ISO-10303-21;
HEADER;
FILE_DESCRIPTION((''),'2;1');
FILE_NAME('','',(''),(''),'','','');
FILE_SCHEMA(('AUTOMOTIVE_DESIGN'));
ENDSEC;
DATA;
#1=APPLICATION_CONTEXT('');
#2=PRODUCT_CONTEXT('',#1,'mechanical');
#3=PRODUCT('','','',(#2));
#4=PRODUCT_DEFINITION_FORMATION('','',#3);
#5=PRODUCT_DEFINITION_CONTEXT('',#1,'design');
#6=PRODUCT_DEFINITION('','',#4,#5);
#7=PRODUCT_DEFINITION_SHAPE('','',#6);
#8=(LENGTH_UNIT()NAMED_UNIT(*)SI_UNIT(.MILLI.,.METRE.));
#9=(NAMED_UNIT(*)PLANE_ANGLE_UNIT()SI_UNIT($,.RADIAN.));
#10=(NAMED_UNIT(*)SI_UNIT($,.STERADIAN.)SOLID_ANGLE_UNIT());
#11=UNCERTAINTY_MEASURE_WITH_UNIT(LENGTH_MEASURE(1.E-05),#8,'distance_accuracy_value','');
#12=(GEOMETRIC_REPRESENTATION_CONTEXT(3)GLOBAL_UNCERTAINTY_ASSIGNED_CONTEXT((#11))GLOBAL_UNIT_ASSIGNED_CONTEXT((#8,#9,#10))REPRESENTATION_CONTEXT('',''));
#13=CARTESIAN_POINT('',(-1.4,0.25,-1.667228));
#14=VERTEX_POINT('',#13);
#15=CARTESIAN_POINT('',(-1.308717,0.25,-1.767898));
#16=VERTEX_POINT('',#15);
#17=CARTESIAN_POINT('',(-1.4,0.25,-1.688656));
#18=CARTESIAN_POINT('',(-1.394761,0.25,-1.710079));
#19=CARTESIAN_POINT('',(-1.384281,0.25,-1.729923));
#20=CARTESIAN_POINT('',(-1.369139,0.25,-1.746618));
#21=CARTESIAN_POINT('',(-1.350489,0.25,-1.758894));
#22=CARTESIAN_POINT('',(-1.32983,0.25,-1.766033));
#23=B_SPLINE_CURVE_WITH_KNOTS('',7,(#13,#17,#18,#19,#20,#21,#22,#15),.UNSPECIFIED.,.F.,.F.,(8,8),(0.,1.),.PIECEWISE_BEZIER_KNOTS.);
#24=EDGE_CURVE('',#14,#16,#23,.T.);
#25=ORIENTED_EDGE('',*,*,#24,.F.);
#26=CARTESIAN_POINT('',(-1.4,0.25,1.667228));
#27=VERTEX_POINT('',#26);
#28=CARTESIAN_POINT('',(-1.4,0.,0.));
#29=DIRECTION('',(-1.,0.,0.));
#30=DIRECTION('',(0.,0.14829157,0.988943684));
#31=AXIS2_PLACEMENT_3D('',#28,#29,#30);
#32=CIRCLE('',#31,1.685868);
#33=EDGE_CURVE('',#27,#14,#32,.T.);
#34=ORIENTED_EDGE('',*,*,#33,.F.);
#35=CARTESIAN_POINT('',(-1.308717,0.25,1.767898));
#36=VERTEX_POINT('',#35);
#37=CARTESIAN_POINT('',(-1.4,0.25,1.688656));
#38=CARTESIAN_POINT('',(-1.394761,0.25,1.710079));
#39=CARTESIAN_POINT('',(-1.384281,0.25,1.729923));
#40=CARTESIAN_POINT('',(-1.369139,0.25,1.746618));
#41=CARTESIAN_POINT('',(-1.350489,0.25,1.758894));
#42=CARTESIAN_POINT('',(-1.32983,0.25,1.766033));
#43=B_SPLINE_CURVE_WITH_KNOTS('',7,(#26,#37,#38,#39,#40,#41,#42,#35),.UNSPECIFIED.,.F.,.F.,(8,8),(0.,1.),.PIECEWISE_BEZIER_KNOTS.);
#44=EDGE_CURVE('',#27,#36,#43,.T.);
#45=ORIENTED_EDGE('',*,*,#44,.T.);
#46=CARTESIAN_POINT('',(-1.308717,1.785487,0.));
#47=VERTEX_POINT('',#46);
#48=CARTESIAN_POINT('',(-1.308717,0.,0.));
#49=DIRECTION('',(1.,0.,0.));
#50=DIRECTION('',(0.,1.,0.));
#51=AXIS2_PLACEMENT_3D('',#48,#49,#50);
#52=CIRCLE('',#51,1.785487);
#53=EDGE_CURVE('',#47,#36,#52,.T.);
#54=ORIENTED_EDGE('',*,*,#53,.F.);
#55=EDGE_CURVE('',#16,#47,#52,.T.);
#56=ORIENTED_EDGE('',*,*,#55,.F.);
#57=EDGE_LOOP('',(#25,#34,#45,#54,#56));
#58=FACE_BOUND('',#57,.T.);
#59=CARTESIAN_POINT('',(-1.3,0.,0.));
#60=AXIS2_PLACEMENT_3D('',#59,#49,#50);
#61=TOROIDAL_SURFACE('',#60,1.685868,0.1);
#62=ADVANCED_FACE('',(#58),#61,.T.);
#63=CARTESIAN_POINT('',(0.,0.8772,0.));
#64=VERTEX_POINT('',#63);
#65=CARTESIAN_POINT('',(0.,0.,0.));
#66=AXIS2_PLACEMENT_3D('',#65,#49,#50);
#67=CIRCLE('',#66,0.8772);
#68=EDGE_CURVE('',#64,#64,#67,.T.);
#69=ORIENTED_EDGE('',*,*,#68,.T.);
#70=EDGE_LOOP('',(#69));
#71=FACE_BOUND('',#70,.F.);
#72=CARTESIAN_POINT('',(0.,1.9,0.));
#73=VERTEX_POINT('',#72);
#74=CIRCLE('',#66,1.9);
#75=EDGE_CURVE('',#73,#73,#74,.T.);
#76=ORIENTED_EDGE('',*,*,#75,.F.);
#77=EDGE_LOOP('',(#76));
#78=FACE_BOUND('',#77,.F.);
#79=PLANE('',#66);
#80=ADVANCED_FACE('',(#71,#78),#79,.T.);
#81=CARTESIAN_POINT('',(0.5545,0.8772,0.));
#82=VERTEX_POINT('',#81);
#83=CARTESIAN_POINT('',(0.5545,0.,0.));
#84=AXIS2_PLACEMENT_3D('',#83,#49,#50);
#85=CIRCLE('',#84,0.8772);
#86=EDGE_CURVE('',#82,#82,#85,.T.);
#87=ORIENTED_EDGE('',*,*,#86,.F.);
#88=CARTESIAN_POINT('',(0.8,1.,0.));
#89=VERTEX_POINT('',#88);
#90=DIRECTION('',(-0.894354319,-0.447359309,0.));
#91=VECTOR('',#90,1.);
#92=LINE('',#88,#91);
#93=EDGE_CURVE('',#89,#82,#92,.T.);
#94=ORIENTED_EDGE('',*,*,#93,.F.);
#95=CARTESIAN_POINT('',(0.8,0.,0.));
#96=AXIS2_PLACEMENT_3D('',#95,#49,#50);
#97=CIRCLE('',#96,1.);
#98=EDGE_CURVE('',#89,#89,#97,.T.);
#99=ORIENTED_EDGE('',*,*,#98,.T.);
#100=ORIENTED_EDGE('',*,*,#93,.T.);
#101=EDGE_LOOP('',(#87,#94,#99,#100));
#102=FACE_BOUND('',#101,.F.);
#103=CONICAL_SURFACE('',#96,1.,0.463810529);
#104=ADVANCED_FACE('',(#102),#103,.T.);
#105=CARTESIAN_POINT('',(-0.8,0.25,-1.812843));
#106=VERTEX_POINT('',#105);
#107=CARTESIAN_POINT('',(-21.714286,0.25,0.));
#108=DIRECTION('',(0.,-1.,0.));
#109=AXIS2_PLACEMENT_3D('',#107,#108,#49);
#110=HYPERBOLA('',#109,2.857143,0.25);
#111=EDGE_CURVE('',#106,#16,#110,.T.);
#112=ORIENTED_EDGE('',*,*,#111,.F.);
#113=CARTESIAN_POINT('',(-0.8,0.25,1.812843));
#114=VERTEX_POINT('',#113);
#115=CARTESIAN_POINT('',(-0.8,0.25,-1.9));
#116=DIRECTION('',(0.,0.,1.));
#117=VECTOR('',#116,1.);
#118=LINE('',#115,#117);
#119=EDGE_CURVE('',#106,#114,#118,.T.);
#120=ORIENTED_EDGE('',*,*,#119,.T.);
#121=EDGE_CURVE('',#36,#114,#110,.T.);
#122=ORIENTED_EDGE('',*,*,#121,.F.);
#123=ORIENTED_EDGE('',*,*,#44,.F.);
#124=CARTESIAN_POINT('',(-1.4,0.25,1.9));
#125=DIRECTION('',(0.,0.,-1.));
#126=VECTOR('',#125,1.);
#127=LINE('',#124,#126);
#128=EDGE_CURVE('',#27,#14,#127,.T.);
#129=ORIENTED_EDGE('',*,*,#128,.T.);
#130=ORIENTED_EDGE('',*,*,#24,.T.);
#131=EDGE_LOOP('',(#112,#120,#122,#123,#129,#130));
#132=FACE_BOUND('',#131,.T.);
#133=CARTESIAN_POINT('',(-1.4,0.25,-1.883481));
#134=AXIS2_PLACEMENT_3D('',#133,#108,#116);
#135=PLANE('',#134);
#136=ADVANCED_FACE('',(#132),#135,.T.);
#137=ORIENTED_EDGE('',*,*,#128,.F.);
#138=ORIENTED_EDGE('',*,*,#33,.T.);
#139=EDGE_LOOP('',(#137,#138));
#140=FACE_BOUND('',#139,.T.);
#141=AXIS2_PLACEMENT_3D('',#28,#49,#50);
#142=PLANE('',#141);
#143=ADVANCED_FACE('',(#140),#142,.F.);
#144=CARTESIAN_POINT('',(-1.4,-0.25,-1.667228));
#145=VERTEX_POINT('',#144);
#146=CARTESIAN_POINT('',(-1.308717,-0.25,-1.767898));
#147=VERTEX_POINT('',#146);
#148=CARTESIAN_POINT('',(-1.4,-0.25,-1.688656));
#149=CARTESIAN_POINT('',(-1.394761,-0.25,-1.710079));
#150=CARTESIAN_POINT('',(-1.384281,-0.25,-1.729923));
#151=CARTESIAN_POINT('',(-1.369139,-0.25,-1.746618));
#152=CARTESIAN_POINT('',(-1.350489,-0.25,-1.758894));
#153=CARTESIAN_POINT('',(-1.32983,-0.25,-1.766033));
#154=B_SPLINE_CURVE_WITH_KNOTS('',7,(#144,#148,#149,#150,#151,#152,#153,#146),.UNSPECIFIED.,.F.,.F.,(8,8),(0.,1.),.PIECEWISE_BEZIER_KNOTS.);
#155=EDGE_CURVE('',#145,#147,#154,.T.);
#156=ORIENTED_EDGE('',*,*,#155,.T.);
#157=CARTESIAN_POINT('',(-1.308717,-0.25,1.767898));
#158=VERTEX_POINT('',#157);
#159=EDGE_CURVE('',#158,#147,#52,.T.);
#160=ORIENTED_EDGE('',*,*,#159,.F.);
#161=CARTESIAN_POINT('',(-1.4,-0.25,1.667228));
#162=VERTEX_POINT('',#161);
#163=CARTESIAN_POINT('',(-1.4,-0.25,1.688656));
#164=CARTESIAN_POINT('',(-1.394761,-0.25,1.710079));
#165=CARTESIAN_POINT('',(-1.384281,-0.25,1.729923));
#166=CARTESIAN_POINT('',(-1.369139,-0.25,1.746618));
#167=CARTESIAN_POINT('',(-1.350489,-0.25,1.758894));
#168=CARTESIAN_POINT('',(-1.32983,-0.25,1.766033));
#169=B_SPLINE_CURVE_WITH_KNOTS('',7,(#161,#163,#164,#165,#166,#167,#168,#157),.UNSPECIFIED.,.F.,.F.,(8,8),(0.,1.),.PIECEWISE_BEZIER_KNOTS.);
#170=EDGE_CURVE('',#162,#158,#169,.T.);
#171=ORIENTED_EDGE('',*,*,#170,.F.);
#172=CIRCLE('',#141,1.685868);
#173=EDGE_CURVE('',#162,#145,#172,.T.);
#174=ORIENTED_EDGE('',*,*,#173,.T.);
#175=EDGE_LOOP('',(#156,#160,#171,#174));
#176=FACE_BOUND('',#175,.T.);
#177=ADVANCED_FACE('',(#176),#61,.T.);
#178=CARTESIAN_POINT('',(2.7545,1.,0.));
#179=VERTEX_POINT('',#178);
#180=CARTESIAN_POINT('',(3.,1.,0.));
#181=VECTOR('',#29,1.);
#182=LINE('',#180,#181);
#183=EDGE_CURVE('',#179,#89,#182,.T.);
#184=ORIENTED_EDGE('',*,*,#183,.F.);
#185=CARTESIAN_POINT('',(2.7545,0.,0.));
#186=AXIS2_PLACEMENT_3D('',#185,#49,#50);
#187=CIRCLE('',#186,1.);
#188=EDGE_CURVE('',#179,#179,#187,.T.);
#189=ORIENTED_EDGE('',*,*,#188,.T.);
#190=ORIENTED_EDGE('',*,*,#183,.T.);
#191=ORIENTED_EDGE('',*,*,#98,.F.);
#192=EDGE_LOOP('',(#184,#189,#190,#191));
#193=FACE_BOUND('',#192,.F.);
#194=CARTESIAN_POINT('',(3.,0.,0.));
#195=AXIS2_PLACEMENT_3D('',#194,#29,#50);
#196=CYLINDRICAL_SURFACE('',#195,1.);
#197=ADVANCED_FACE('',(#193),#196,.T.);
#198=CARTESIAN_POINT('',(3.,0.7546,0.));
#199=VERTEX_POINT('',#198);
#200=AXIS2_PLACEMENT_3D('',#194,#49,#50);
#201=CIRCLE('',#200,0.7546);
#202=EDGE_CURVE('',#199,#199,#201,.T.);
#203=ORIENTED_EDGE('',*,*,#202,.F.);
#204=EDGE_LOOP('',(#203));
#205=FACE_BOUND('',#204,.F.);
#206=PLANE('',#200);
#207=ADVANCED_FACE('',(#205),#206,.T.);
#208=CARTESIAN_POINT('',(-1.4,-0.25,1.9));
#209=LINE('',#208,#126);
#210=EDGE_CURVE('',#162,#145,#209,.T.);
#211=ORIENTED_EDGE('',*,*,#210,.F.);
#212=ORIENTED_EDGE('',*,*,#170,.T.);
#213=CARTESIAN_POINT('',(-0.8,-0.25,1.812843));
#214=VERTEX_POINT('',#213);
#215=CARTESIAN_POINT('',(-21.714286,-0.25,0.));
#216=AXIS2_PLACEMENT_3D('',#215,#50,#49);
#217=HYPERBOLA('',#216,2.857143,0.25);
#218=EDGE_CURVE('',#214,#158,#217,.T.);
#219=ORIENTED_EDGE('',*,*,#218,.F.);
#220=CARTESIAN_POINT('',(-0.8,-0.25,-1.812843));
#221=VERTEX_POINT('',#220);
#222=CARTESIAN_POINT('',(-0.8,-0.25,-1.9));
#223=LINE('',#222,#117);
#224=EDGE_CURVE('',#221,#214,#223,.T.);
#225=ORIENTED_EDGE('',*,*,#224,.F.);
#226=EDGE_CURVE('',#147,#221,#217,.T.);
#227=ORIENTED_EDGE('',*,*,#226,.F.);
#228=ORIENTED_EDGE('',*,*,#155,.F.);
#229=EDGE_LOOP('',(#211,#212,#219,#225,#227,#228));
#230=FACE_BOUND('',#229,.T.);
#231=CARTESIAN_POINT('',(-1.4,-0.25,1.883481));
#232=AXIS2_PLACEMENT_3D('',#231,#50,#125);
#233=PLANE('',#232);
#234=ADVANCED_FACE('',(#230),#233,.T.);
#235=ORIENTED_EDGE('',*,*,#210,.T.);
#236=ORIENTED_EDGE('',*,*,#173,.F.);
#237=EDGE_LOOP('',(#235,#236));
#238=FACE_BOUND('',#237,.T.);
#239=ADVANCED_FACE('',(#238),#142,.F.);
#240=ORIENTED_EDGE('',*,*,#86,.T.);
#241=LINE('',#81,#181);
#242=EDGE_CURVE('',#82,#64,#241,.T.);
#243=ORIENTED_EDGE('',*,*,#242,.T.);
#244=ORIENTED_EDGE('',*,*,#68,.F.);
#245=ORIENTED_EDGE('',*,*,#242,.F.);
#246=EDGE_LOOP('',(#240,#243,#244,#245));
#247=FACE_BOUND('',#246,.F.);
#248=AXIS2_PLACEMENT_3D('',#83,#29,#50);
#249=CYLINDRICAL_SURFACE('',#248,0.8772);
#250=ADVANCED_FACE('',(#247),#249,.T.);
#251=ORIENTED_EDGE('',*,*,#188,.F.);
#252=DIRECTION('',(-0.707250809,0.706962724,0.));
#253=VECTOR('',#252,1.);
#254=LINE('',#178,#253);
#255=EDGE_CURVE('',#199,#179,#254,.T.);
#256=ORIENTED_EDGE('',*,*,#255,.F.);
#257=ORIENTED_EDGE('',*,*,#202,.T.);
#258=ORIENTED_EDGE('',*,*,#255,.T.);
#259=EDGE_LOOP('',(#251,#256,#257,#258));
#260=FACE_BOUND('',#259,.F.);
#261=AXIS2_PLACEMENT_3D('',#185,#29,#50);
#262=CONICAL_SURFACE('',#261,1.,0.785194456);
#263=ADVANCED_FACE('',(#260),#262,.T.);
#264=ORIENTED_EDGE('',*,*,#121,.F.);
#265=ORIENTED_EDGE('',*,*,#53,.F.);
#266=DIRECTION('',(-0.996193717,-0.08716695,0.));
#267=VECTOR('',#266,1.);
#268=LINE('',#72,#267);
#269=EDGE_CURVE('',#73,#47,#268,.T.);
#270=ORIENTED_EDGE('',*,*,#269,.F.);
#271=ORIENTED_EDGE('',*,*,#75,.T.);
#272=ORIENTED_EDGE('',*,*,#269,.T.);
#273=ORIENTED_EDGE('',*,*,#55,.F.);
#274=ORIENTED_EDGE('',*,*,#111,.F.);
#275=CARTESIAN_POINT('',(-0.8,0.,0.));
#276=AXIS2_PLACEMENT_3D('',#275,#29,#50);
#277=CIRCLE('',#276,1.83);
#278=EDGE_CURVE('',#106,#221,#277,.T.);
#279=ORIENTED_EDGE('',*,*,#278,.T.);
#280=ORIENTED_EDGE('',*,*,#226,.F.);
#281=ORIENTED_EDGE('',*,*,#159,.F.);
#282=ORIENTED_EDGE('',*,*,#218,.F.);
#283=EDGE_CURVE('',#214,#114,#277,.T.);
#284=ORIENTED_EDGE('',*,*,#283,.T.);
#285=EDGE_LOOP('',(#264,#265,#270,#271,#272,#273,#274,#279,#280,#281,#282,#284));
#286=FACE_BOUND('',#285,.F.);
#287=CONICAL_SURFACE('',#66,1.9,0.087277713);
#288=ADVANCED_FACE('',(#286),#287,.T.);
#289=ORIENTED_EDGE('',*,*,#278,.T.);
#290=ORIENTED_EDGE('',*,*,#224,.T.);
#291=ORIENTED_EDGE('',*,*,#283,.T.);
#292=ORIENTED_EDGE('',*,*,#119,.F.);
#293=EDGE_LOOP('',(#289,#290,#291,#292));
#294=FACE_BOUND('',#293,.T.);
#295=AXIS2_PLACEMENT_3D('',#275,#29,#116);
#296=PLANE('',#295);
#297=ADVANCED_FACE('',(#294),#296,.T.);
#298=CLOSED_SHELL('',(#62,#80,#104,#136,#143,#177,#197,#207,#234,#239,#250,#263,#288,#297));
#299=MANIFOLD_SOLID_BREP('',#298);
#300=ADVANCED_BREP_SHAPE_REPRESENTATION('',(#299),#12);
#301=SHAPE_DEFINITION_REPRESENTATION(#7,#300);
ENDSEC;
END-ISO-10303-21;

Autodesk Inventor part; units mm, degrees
ref_plane "YZ Plane" through (0, 0, 0) normal (1, 0, 0) x (0, 1, 0)
ref_plane "XZ Plane" through (0, 0, 0) normal (0, 1, 0) x (-1, 0, 0)
sketch "Esquisse1" plane through (0, 0, 0) normal (0, 0, 1) x (1, 0, 0)
  line L0 (-1.4, 0) -> (3, 0)
  line L1 (3, 0) -> (3, 1)
  line L2 (3, 1) -> (0.8, 1)
  line L3 (0.8, 1) -> (0.5545, 0.8772)
  line L4 (0.5545, 0.8772) -> (0, 0.8772)
  line L5 (0, 0.8772) -> (0, 1.9)
  line L6 (-2.28, 0) -> (3.88, 0) projected
  line L7 (0, -0.38) -> (0, 2.28) projected
  line L8 (-1.4, 0) -> (-1.4, 1.7775)
  line L9 (0, 1.9) -> (-1.4, 1.7775)
  line L10 (0.8, 1) -> (0, 1) construction
  dimension "d0" = 3
  dimension "d1" = 2.2
  dimension "d2" = 0.2455
  dimension "d3" = 1.4
  dimension "d4" = 2
  dimension "d5" = 1.7545
  dimension "d9" = 3.8
  dimension "d10" = 5
revolve "Corps" add sketch "Esquisse1" angle 360 about axis through (-1.4, 0, 0) along (1, 0, 0)
sketch "Esquisse2" plane through (-1.4, 0, 0) normal (-1, 0, 0) x (0, 0, 1)
  circle A0 centre (0, 0) radius 1.9 projected
  line L0 (0, 0) -> (0, 1.7775) projected
  line L1 (-1.9, 0.25) -> (1.9, 0.25)
  line L2 (1.9, 0.25) -> (1.9, -0.25)
  line L3 (1.9, -0.25) -> (-1.9, -0.25)
  line L4 (-1.9, -0.25) -> (-1.9, 0.25)
  line L5 (-1.9, 0) -> (1.9, 0) construction
  line L6 (0, 0.25) -> (0, -0.25) construction
  dimension "d11" = 0.5
  dimension "d12" = 3.8
fillet "Congé1" radius 0.1 1 edges at (-1.4, -1.7775, 0)
extrude "Rainure" cut sketch "Esquisse2" against normal blind 0.6 contours A0 L3 L1 | L2 L3 A0 | A0 L1 L2 | A0 L4 L1 | L3 L4 A0
thread "Filetage" size "M2x0.4" class "6g" standard "ISO Metric profile" length 2.2
chamfer "Chanfrein1" distance 0.2454 distance2 0.2455 1 edges at (3, -1, 0) measured on face at (3, -0.1182, -0.3117)
ref_plane "Work Plane1" through (30.1625, 0, 0) normal (0, 0, -1) x (1, 0, 0)
equation "\"d11\" = SBR"
equation "\"d12\" = KOD"
equation "\"d19\" = STI"
equation "\"d14\" = RR"
equation "\"d15\" = GEL"
equation "\"d17\" = -0.5 * SPD + 0.5 * GD"
equation "\"d0\" = NLG"
equation "\"d1\" = GEL"
equation "\"d3\" = KOH"
equation "\"d4\" = GD"
equation "\"d5\" = BDM"
equation "\"d9\" = KOD"
equation "\"d10\" = KEWI"
equation "\"GD\" = NND"
equation "\"NLG\" = 3"
equation "\"GEL\" = 2.2"
equation "\"KOD\" = 3.8"
equation "\"KOH\" = 1.4"
equation "\"GAL\" = 0.61345 * PTC"
equation "\"SPD\" = NND - 1.2269 * PTC"
equation "\"BDM\" = 1.7545"
equation "\"GUL\" = 0.61345 * PTC"
equation "\"RR\" = 0.1"
equation "\"SBR\" = 0.5"
equation "\"STI\" = 0.6"
equation "\"KEWI\" = 5deg"
equation "\"PTC\" = 0.4"
equation "\"THREADDIA\" = 2"
equation "\"TOA\" = 30deg"
equation "\"NND\" = 2"
equation "\"GD1\" = THREADDIA - 1.2269 * PTC"
properties part number "ISO 1207 - M2 x 3" material "Acier inoxydable 440C"
